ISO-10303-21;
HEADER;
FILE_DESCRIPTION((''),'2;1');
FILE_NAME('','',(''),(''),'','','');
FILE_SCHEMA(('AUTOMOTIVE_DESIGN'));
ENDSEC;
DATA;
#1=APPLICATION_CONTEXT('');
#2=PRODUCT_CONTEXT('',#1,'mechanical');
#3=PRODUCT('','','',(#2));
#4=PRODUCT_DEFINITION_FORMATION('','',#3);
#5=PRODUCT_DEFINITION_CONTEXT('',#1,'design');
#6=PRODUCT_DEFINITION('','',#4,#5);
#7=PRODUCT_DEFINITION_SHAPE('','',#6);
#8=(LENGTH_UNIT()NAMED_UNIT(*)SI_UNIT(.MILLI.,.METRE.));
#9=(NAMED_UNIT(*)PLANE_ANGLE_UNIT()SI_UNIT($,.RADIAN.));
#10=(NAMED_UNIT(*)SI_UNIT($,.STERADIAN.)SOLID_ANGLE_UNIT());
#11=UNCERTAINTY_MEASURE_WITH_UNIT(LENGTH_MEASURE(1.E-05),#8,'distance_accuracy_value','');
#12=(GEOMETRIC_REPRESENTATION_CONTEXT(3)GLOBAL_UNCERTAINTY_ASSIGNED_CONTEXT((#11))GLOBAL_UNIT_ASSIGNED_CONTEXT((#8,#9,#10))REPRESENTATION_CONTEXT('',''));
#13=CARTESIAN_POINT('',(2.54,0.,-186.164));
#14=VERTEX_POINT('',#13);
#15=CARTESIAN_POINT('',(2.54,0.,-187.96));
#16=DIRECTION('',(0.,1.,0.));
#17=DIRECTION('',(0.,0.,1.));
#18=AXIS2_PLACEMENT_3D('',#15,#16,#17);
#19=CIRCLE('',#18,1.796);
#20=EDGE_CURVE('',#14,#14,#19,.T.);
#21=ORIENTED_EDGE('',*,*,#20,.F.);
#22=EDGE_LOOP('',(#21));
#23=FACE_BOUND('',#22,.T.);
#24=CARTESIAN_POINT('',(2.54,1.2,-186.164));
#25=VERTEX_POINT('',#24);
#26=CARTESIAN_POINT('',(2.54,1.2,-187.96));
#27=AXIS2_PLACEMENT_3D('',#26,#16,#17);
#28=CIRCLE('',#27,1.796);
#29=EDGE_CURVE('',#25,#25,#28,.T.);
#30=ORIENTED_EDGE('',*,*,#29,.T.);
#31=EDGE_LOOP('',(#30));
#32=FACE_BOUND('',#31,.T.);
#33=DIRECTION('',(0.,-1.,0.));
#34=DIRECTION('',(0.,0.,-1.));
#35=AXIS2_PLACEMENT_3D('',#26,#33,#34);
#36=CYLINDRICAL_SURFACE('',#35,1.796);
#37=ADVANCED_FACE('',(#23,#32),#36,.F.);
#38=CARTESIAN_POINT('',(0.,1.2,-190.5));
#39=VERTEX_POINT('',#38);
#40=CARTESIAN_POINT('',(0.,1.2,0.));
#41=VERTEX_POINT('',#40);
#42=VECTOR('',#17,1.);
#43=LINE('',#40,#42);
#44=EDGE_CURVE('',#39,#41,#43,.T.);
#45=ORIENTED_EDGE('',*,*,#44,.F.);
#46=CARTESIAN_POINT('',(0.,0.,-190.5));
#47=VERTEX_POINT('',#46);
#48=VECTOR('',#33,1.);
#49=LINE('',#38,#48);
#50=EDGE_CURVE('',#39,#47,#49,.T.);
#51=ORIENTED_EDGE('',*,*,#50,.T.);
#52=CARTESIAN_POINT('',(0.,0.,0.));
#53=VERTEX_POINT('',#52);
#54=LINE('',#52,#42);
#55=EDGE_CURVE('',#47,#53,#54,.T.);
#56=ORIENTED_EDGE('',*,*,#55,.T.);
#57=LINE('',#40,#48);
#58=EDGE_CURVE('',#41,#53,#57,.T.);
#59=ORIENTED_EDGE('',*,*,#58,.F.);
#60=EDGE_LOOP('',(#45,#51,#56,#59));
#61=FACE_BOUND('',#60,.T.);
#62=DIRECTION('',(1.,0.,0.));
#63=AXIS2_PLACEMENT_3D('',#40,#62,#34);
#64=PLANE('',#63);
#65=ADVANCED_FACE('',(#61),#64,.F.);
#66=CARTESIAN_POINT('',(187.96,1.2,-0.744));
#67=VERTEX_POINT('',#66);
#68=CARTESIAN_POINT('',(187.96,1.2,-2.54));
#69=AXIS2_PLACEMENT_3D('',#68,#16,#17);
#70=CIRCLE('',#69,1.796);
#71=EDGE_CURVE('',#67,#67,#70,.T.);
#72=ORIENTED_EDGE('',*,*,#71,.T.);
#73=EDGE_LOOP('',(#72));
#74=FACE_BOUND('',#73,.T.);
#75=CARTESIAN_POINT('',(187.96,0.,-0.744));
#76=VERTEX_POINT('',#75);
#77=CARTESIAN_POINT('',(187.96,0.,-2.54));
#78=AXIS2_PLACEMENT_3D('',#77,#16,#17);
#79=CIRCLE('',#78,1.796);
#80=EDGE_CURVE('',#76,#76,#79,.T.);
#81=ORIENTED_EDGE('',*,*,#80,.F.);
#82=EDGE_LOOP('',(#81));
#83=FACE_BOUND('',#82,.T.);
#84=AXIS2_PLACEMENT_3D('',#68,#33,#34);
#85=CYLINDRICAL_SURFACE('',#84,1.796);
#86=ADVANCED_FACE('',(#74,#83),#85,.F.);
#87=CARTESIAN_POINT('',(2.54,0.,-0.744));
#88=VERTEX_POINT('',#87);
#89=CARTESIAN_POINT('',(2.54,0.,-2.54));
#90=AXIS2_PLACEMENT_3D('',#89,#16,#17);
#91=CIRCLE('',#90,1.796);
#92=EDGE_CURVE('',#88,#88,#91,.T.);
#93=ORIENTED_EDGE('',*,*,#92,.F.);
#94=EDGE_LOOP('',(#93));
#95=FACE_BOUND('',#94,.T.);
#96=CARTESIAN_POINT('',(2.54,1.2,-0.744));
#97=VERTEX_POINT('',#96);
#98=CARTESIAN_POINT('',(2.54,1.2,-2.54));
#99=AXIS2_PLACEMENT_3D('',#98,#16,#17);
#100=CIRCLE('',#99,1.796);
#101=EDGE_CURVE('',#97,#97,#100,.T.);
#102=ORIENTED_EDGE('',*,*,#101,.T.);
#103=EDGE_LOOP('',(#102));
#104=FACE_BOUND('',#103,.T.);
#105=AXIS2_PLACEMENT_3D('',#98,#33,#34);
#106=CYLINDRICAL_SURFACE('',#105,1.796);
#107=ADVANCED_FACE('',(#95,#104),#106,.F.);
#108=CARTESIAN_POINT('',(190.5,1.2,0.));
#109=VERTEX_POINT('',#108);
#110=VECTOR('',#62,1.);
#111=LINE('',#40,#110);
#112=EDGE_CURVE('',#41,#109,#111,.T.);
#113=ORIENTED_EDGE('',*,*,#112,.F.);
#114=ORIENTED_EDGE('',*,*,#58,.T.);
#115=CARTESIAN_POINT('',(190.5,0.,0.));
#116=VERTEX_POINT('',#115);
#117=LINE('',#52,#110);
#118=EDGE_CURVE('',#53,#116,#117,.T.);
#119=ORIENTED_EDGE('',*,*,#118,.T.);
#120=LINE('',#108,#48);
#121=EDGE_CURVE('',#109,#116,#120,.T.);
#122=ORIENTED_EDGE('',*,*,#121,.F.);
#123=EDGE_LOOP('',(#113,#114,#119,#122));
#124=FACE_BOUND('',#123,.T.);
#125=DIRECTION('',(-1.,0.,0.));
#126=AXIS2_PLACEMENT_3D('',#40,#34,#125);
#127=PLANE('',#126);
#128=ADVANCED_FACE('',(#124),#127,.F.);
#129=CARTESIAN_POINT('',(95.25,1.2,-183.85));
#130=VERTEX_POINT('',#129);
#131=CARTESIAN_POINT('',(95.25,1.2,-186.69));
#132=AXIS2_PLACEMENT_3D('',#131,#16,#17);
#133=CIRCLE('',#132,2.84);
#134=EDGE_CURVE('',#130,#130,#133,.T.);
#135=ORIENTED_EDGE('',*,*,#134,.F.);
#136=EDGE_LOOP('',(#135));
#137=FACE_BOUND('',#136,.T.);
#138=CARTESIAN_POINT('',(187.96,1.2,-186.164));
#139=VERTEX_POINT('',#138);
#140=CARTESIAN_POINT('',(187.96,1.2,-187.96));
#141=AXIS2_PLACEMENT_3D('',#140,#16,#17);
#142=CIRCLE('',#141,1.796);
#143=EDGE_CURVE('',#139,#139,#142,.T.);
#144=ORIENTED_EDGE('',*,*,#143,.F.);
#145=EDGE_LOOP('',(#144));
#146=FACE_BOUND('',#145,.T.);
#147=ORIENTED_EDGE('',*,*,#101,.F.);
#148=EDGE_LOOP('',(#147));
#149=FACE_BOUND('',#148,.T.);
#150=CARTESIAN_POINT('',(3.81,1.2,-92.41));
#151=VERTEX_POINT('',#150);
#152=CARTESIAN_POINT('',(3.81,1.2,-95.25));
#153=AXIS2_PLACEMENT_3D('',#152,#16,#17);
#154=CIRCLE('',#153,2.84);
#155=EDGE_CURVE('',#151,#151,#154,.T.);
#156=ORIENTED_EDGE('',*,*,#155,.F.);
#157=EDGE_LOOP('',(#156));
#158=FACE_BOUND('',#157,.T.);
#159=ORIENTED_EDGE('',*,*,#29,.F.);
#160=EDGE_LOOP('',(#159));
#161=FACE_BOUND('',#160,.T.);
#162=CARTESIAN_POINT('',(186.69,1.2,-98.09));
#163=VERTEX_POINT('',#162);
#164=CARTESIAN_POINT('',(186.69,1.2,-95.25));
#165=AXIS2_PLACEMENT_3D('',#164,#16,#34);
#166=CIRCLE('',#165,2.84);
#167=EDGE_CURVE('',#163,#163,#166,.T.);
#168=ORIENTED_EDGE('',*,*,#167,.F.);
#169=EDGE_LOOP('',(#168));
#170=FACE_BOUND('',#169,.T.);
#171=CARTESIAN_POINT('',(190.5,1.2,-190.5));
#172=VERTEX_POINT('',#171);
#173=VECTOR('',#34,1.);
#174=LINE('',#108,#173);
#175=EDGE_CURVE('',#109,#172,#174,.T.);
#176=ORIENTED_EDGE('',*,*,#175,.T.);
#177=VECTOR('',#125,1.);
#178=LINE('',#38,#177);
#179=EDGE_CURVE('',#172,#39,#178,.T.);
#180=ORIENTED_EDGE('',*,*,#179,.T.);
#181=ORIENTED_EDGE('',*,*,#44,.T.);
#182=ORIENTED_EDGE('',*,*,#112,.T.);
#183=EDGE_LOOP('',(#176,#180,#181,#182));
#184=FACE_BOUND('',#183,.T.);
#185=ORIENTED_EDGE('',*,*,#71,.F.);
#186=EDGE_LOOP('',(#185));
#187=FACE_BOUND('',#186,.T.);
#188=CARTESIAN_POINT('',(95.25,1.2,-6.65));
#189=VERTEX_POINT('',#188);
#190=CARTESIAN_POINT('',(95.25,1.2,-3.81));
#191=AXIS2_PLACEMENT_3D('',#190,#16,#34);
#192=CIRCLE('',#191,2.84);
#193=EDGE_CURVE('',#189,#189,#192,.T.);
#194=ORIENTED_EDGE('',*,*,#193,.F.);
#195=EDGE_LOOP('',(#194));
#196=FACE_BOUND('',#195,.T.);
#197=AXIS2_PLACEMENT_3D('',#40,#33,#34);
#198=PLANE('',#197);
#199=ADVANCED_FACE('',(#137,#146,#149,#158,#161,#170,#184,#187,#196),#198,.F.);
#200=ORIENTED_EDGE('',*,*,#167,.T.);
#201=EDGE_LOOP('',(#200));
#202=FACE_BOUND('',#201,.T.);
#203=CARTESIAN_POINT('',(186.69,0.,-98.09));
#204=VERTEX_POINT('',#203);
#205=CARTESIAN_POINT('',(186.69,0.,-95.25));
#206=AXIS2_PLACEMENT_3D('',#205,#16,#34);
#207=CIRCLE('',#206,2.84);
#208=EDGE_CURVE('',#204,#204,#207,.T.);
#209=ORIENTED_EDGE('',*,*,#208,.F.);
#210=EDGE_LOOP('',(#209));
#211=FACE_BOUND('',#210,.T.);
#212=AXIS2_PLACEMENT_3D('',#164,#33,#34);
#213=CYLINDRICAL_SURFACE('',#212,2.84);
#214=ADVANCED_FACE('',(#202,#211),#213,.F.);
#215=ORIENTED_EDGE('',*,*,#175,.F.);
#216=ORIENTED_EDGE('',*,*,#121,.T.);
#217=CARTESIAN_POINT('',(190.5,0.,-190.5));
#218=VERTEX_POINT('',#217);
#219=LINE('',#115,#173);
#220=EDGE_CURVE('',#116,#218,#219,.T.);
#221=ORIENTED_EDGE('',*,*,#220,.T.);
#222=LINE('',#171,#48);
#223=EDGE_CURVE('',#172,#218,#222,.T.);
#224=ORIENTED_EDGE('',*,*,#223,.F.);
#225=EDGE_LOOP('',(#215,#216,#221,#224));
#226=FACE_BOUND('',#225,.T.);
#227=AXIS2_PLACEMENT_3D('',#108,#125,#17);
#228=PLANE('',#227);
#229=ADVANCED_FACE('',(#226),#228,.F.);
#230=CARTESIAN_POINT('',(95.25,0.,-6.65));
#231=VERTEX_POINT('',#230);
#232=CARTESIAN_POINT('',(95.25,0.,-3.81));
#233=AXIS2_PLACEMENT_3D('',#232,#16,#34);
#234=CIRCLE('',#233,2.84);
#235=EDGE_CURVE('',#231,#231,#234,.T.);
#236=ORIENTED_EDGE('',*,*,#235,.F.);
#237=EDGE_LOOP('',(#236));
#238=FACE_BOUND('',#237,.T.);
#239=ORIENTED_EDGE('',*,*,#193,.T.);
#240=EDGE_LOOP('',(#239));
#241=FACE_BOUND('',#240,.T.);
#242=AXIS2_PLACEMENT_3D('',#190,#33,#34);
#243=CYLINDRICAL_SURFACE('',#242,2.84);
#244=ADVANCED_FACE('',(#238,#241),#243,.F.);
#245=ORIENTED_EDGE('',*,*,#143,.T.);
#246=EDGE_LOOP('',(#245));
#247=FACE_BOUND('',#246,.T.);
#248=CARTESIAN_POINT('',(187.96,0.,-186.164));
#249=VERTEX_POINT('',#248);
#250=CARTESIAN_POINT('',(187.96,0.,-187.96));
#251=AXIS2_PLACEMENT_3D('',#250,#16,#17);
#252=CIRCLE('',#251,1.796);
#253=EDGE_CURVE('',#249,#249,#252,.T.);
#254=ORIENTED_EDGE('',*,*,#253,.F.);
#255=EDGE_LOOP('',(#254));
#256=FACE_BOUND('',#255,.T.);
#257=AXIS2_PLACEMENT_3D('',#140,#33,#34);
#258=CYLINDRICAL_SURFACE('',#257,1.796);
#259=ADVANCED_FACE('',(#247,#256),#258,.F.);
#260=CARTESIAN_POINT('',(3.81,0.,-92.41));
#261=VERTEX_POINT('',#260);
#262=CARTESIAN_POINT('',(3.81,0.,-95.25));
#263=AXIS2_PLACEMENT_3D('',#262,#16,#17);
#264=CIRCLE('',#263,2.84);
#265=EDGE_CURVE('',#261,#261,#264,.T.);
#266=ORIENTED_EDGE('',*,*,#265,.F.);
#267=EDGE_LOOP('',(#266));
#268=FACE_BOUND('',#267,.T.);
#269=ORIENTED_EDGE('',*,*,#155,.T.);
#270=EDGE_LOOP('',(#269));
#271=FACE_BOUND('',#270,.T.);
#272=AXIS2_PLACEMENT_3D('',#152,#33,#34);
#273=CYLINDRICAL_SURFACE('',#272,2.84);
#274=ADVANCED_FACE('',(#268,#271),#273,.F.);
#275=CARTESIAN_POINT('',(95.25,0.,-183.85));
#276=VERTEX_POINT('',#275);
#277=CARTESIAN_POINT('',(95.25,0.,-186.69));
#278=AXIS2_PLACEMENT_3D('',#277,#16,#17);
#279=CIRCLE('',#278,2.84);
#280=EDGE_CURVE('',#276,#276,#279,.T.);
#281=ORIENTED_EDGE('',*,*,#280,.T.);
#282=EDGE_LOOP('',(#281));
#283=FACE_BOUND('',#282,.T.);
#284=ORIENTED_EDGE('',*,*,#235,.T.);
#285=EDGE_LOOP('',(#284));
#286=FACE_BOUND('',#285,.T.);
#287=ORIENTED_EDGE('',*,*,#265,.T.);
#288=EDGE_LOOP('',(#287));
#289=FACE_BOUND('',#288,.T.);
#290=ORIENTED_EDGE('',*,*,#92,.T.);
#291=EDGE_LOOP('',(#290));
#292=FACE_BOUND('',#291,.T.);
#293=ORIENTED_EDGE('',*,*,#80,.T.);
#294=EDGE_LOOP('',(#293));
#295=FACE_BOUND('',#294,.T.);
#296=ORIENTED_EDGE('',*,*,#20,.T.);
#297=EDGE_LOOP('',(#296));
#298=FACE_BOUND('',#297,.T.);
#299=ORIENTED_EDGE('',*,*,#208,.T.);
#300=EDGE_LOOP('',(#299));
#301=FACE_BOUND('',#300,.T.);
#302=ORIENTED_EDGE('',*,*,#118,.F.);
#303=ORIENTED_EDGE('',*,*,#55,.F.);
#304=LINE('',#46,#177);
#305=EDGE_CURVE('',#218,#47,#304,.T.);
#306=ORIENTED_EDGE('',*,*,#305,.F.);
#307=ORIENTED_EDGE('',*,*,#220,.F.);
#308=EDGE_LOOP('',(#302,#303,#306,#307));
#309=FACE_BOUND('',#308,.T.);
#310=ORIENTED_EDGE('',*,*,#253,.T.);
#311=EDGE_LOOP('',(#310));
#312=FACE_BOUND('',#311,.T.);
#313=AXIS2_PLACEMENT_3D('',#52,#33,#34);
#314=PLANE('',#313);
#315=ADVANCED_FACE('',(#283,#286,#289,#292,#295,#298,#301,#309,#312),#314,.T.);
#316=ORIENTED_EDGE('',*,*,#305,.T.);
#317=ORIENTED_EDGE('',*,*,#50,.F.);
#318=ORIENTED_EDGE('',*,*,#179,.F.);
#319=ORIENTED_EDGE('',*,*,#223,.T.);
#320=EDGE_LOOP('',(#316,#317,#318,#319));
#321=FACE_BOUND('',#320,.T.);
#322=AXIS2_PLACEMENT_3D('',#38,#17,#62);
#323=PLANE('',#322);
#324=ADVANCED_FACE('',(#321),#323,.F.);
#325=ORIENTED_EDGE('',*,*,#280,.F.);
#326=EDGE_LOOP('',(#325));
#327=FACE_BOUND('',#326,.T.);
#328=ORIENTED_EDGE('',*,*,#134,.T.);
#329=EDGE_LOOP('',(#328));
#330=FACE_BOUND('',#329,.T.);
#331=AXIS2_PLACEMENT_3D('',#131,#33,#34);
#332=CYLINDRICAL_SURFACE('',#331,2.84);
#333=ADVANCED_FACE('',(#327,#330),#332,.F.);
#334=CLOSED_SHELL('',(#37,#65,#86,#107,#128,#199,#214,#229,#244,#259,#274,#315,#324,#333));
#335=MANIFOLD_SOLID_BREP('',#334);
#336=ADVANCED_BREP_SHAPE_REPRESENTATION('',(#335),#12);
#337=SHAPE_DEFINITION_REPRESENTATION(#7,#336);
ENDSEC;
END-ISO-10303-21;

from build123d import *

# Parameters (mm, degrees)
SKETCH1_W           = 190.5
SKETCH1_H           = 190.5
SKETCH1_R           = 1.796
SKETCH1_R_2         = 2.84
BOSS_EXTRUDE1_DEPTH = 1.2


with BuildPart() as part:
    # Sketch1 → Boss-Extrude1 (new body)
    with BuildSketch(Plane(origin=(0, 0, 0), x_dir=(1, 0, 0), z_dir=(0, 1, 0))):
        with Locations((95.25, 95.25)):
            Rectangle(SKETCH1_W, SKETCH1_H)
        with Locations(Location((2.54, 187.96, 0), (0, 0, 270))):
            Circle(SKETCH1_R, mode=Mode.SUBTRACT)
        with Locations(Location((187.96, 187.96, 0), (0, 0, 270))):
            Circle(SKETCH1_R, mode=Mode.SUBTRACT)
        with Locations(Location((187.96, 2.54, 0), (0, 0, 270))):
            Circle(SKETCH1_R, mode=Mode.SUBTRACT)
        with Locations(Location((2.54, 2.54, 0), (0, 0, 270))):
            Circle(SKETCH1_R, mode=Mode.SUBTRACT)
        with Locations(Location((95.25, 186.69, 0), (0, 0, 270))):
            Circle(SKETCH1_R_2, mode=Mode.SUBTRACT)
        with Locations(Location((3.81, 95.25, 0), (0, 0, 270))):
            Circle(SKETCH1_R_2, mode=Mode.SUBTRACT)
        with Locations(Location((95.25, 3.81, 0), (0, 0, 90))):
            Circle(SKETCH1_R_2, mode=Mode.SUBTRACT)
        with Locations(Location((186.69, 95.25, 0), (0, 0, 90))):
            Circle(SKETCH1_R_2, mode=Mode.SUBTRACT)
    extrude(amount=BOSS_EXTRUDE1_DEPTH)


solid = part.part
